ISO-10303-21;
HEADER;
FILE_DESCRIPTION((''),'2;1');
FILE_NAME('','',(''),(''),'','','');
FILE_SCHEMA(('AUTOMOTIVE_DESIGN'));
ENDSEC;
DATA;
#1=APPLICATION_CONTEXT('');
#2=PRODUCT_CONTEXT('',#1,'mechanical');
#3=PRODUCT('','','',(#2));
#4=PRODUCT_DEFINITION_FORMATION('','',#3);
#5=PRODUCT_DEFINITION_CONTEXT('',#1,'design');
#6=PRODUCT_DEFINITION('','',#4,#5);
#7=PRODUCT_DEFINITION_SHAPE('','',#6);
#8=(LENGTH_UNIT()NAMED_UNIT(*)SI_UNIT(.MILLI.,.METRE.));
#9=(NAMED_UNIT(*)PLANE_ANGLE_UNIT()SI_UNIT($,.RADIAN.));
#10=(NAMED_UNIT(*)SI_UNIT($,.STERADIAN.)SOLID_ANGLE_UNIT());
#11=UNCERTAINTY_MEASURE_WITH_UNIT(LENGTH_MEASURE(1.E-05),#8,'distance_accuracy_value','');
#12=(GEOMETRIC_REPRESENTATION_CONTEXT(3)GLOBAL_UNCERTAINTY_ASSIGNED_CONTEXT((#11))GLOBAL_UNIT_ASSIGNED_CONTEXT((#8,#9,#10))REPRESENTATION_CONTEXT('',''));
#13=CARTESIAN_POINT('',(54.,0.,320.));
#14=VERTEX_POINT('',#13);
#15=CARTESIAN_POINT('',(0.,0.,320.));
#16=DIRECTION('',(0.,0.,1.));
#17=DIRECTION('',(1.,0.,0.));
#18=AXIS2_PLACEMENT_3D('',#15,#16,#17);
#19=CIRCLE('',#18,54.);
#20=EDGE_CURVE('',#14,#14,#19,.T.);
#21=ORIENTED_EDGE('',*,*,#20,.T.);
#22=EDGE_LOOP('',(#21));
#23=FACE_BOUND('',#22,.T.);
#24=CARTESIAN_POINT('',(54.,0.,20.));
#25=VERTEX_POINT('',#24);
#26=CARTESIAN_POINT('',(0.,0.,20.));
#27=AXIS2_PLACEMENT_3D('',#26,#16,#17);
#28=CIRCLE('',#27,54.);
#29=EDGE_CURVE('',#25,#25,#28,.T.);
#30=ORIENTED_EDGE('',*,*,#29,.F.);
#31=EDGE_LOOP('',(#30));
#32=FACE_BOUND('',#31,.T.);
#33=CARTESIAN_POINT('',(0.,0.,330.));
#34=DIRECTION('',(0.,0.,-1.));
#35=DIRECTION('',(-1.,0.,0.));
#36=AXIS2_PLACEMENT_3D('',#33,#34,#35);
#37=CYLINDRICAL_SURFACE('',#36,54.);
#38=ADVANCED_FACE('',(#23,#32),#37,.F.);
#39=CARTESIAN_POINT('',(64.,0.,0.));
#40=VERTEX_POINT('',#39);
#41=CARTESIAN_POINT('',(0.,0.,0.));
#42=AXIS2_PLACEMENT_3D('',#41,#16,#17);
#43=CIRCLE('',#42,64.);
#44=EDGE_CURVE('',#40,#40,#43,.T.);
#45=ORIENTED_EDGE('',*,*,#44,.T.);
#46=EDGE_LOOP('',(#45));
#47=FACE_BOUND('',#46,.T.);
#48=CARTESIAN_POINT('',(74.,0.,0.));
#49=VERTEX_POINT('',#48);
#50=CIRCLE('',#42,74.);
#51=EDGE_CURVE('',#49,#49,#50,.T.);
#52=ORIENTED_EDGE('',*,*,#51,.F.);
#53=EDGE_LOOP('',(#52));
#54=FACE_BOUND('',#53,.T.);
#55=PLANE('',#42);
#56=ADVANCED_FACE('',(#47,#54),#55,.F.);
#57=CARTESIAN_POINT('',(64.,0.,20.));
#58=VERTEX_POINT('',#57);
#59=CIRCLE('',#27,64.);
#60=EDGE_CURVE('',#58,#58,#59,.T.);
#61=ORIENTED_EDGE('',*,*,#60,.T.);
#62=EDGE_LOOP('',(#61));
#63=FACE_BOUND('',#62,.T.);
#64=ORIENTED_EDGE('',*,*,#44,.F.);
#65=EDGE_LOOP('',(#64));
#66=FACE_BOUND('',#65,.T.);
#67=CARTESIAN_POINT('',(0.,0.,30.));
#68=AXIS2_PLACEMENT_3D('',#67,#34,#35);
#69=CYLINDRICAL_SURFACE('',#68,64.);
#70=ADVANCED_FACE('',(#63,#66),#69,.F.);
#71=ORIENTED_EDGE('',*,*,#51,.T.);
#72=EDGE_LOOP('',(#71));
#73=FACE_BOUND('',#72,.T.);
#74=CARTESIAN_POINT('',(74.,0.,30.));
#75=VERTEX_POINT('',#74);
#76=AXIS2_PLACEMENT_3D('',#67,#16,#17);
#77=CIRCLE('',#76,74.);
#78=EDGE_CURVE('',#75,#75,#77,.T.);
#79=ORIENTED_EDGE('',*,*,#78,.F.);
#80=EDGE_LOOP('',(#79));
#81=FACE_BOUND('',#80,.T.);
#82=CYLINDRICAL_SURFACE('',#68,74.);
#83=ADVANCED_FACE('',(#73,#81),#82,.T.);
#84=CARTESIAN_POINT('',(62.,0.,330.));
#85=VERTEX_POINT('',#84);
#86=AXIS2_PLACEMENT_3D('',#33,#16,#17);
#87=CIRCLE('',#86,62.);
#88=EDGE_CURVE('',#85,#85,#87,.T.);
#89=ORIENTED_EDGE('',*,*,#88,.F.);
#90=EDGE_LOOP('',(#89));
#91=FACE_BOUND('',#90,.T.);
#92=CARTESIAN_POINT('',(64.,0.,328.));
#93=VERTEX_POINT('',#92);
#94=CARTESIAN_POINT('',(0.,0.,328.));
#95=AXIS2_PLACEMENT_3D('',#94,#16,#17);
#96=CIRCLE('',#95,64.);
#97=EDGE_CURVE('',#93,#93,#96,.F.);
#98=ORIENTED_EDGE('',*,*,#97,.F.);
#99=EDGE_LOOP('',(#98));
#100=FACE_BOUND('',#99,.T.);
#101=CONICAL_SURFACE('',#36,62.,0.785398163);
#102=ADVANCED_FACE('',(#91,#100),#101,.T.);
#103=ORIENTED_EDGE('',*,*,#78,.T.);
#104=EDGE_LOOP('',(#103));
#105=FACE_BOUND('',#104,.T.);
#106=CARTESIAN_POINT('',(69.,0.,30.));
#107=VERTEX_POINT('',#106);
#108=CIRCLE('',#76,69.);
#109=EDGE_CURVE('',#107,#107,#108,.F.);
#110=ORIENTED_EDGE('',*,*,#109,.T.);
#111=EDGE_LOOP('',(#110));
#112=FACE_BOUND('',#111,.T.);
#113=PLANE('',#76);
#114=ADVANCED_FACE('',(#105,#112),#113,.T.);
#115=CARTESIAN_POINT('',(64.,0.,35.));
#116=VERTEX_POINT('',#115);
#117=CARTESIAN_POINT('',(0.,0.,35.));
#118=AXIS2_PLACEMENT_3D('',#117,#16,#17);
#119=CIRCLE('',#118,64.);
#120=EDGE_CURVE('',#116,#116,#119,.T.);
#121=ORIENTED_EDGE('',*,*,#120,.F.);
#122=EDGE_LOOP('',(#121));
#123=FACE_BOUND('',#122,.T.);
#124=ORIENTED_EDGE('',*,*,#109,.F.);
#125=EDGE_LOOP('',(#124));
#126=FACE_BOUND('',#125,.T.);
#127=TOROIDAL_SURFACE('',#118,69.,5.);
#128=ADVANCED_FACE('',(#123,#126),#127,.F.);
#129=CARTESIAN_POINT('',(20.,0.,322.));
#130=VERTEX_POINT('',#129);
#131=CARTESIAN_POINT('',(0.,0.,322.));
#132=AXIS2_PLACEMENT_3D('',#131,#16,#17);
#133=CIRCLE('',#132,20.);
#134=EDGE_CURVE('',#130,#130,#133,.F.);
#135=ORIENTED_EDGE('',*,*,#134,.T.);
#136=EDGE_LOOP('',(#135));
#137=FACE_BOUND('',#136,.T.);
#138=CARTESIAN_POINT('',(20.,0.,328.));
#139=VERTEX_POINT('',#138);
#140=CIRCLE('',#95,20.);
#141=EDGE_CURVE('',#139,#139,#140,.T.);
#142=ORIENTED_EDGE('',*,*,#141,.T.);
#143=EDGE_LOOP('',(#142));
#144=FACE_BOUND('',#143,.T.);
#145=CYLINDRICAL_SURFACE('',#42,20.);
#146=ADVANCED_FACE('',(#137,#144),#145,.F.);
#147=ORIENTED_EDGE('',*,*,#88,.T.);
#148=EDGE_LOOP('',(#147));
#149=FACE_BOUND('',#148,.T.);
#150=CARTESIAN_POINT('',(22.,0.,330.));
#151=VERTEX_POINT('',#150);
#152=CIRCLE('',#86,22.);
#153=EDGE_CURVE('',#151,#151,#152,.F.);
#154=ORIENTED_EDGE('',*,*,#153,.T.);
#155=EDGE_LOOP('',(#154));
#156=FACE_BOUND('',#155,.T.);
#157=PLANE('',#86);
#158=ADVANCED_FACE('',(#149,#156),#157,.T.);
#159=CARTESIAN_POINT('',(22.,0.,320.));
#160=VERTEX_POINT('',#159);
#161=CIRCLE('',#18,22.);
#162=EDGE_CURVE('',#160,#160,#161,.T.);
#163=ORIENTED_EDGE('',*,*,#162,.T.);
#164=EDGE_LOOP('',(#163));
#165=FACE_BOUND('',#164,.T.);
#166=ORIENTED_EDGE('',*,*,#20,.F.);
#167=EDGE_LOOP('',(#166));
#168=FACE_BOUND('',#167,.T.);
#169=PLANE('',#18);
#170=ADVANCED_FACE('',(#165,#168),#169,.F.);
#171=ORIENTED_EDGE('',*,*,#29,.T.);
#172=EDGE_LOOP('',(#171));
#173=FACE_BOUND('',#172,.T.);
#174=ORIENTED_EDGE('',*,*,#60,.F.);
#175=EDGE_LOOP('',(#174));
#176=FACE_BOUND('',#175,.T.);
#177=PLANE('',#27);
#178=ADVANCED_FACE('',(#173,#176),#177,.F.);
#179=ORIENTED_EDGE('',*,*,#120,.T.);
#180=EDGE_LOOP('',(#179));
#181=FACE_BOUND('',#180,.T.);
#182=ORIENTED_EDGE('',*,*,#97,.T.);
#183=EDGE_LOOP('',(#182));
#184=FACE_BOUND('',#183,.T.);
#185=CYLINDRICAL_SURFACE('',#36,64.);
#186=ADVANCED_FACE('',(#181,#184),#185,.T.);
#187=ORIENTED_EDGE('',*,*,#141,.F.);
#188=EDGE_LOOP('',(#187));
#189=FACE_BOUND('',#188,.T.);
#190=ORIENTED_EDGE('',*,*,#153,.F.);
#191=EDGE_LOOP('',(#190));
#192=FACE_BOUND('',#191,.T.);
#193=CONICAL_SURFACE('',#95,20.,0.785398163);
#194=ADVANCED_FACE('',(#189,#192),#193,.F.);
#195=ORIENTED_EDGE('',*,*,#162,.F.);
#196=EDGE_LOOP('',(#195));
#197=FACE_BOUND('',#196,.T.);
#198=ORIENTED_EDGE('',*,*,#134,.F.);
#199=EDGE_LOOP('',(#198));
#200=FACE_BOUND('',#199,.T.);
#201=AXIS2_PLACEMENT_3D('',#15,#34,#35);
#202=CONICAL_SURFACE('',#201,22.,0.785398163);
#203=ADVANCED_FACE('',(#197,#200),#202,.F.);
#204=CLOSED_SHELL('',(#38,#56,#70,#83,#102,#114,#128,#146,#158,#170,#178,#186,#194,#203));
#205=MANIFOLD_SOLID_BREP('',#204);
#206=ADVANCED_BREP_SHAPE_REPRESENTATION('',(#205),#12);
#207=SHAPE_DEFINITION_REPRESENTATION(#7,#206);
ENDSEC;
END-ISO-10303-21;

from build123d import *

# Parameters (mm, degrees)
SKETCH1_R      = 74
EXTRUDE1_DEPTH = 30
SKETCH2_R      = 64
EXTRUDE2_DEPTH = 300
SHELL1_T       = -10
FILLET2_R      = 5
CHAMFER2_SIZE  = 2
SKETCH3_R      = 20
EXTRUDE3_DEPTH = 347.196476007
CHAMFER3_SIZE  = 2


with BuildPart() as part:
    # Sketch1 → Extrude1 (new body)
    with BuildSketch(Plane.XY):
        Circle(SKETCH1_R)
    extrude(amount=EXTRUDE1_DEPTH)

    # Sketch2 → Extrude2 (add)
    with BuildSketch(Plane.XY.offset(30)):
        Circle(SKETCH2_R)
    extrude(amount=EXTRUDE2_DEPTH)

    # Shell1
    shell1_openings = [part.faces().sort_by_distance(p)[0] for p in [
        (0, 0, 0),
    ]]
    offset(amount=SHELL1_T, openings=shell1_openings, kind=Kind.INTERSECTION)

    # Fillet2
    fillet2_edges = [part.edges().sort_by_distance(p)[0] for p in [
        (-64, 0, 30),
    ]]
    fillet(fillet2_edges, radius=FILLET2_R)

    # Chamfer2
    chamfer2_edges = [part.edges().sort_by_distance(p)[0] for p in [
        (-64, 0, 330),
    ]]
    chamfer(chamfer2_edges, length=CHAMFER2_SIZE)

    # Sketch3 → Extrude3 (cut, through all)
    with BuildSketch(Plane.XY.offset(330)):
        Circle(SKETCH3_R)
    extrude(amount=-EXTRUDE3_DEPTH, mode=Mode.SUBTRACT)

    # Chamfer3
    chamfer3_edges = [part.edges().sort_by_distance(p)[0] for p in [
        (-20, 0, 320),
        (-20, 0, 330),
    ]]
    chamfer(chamfer3_edges, length=CHAMFER3_SIZE)


solid = part.part
